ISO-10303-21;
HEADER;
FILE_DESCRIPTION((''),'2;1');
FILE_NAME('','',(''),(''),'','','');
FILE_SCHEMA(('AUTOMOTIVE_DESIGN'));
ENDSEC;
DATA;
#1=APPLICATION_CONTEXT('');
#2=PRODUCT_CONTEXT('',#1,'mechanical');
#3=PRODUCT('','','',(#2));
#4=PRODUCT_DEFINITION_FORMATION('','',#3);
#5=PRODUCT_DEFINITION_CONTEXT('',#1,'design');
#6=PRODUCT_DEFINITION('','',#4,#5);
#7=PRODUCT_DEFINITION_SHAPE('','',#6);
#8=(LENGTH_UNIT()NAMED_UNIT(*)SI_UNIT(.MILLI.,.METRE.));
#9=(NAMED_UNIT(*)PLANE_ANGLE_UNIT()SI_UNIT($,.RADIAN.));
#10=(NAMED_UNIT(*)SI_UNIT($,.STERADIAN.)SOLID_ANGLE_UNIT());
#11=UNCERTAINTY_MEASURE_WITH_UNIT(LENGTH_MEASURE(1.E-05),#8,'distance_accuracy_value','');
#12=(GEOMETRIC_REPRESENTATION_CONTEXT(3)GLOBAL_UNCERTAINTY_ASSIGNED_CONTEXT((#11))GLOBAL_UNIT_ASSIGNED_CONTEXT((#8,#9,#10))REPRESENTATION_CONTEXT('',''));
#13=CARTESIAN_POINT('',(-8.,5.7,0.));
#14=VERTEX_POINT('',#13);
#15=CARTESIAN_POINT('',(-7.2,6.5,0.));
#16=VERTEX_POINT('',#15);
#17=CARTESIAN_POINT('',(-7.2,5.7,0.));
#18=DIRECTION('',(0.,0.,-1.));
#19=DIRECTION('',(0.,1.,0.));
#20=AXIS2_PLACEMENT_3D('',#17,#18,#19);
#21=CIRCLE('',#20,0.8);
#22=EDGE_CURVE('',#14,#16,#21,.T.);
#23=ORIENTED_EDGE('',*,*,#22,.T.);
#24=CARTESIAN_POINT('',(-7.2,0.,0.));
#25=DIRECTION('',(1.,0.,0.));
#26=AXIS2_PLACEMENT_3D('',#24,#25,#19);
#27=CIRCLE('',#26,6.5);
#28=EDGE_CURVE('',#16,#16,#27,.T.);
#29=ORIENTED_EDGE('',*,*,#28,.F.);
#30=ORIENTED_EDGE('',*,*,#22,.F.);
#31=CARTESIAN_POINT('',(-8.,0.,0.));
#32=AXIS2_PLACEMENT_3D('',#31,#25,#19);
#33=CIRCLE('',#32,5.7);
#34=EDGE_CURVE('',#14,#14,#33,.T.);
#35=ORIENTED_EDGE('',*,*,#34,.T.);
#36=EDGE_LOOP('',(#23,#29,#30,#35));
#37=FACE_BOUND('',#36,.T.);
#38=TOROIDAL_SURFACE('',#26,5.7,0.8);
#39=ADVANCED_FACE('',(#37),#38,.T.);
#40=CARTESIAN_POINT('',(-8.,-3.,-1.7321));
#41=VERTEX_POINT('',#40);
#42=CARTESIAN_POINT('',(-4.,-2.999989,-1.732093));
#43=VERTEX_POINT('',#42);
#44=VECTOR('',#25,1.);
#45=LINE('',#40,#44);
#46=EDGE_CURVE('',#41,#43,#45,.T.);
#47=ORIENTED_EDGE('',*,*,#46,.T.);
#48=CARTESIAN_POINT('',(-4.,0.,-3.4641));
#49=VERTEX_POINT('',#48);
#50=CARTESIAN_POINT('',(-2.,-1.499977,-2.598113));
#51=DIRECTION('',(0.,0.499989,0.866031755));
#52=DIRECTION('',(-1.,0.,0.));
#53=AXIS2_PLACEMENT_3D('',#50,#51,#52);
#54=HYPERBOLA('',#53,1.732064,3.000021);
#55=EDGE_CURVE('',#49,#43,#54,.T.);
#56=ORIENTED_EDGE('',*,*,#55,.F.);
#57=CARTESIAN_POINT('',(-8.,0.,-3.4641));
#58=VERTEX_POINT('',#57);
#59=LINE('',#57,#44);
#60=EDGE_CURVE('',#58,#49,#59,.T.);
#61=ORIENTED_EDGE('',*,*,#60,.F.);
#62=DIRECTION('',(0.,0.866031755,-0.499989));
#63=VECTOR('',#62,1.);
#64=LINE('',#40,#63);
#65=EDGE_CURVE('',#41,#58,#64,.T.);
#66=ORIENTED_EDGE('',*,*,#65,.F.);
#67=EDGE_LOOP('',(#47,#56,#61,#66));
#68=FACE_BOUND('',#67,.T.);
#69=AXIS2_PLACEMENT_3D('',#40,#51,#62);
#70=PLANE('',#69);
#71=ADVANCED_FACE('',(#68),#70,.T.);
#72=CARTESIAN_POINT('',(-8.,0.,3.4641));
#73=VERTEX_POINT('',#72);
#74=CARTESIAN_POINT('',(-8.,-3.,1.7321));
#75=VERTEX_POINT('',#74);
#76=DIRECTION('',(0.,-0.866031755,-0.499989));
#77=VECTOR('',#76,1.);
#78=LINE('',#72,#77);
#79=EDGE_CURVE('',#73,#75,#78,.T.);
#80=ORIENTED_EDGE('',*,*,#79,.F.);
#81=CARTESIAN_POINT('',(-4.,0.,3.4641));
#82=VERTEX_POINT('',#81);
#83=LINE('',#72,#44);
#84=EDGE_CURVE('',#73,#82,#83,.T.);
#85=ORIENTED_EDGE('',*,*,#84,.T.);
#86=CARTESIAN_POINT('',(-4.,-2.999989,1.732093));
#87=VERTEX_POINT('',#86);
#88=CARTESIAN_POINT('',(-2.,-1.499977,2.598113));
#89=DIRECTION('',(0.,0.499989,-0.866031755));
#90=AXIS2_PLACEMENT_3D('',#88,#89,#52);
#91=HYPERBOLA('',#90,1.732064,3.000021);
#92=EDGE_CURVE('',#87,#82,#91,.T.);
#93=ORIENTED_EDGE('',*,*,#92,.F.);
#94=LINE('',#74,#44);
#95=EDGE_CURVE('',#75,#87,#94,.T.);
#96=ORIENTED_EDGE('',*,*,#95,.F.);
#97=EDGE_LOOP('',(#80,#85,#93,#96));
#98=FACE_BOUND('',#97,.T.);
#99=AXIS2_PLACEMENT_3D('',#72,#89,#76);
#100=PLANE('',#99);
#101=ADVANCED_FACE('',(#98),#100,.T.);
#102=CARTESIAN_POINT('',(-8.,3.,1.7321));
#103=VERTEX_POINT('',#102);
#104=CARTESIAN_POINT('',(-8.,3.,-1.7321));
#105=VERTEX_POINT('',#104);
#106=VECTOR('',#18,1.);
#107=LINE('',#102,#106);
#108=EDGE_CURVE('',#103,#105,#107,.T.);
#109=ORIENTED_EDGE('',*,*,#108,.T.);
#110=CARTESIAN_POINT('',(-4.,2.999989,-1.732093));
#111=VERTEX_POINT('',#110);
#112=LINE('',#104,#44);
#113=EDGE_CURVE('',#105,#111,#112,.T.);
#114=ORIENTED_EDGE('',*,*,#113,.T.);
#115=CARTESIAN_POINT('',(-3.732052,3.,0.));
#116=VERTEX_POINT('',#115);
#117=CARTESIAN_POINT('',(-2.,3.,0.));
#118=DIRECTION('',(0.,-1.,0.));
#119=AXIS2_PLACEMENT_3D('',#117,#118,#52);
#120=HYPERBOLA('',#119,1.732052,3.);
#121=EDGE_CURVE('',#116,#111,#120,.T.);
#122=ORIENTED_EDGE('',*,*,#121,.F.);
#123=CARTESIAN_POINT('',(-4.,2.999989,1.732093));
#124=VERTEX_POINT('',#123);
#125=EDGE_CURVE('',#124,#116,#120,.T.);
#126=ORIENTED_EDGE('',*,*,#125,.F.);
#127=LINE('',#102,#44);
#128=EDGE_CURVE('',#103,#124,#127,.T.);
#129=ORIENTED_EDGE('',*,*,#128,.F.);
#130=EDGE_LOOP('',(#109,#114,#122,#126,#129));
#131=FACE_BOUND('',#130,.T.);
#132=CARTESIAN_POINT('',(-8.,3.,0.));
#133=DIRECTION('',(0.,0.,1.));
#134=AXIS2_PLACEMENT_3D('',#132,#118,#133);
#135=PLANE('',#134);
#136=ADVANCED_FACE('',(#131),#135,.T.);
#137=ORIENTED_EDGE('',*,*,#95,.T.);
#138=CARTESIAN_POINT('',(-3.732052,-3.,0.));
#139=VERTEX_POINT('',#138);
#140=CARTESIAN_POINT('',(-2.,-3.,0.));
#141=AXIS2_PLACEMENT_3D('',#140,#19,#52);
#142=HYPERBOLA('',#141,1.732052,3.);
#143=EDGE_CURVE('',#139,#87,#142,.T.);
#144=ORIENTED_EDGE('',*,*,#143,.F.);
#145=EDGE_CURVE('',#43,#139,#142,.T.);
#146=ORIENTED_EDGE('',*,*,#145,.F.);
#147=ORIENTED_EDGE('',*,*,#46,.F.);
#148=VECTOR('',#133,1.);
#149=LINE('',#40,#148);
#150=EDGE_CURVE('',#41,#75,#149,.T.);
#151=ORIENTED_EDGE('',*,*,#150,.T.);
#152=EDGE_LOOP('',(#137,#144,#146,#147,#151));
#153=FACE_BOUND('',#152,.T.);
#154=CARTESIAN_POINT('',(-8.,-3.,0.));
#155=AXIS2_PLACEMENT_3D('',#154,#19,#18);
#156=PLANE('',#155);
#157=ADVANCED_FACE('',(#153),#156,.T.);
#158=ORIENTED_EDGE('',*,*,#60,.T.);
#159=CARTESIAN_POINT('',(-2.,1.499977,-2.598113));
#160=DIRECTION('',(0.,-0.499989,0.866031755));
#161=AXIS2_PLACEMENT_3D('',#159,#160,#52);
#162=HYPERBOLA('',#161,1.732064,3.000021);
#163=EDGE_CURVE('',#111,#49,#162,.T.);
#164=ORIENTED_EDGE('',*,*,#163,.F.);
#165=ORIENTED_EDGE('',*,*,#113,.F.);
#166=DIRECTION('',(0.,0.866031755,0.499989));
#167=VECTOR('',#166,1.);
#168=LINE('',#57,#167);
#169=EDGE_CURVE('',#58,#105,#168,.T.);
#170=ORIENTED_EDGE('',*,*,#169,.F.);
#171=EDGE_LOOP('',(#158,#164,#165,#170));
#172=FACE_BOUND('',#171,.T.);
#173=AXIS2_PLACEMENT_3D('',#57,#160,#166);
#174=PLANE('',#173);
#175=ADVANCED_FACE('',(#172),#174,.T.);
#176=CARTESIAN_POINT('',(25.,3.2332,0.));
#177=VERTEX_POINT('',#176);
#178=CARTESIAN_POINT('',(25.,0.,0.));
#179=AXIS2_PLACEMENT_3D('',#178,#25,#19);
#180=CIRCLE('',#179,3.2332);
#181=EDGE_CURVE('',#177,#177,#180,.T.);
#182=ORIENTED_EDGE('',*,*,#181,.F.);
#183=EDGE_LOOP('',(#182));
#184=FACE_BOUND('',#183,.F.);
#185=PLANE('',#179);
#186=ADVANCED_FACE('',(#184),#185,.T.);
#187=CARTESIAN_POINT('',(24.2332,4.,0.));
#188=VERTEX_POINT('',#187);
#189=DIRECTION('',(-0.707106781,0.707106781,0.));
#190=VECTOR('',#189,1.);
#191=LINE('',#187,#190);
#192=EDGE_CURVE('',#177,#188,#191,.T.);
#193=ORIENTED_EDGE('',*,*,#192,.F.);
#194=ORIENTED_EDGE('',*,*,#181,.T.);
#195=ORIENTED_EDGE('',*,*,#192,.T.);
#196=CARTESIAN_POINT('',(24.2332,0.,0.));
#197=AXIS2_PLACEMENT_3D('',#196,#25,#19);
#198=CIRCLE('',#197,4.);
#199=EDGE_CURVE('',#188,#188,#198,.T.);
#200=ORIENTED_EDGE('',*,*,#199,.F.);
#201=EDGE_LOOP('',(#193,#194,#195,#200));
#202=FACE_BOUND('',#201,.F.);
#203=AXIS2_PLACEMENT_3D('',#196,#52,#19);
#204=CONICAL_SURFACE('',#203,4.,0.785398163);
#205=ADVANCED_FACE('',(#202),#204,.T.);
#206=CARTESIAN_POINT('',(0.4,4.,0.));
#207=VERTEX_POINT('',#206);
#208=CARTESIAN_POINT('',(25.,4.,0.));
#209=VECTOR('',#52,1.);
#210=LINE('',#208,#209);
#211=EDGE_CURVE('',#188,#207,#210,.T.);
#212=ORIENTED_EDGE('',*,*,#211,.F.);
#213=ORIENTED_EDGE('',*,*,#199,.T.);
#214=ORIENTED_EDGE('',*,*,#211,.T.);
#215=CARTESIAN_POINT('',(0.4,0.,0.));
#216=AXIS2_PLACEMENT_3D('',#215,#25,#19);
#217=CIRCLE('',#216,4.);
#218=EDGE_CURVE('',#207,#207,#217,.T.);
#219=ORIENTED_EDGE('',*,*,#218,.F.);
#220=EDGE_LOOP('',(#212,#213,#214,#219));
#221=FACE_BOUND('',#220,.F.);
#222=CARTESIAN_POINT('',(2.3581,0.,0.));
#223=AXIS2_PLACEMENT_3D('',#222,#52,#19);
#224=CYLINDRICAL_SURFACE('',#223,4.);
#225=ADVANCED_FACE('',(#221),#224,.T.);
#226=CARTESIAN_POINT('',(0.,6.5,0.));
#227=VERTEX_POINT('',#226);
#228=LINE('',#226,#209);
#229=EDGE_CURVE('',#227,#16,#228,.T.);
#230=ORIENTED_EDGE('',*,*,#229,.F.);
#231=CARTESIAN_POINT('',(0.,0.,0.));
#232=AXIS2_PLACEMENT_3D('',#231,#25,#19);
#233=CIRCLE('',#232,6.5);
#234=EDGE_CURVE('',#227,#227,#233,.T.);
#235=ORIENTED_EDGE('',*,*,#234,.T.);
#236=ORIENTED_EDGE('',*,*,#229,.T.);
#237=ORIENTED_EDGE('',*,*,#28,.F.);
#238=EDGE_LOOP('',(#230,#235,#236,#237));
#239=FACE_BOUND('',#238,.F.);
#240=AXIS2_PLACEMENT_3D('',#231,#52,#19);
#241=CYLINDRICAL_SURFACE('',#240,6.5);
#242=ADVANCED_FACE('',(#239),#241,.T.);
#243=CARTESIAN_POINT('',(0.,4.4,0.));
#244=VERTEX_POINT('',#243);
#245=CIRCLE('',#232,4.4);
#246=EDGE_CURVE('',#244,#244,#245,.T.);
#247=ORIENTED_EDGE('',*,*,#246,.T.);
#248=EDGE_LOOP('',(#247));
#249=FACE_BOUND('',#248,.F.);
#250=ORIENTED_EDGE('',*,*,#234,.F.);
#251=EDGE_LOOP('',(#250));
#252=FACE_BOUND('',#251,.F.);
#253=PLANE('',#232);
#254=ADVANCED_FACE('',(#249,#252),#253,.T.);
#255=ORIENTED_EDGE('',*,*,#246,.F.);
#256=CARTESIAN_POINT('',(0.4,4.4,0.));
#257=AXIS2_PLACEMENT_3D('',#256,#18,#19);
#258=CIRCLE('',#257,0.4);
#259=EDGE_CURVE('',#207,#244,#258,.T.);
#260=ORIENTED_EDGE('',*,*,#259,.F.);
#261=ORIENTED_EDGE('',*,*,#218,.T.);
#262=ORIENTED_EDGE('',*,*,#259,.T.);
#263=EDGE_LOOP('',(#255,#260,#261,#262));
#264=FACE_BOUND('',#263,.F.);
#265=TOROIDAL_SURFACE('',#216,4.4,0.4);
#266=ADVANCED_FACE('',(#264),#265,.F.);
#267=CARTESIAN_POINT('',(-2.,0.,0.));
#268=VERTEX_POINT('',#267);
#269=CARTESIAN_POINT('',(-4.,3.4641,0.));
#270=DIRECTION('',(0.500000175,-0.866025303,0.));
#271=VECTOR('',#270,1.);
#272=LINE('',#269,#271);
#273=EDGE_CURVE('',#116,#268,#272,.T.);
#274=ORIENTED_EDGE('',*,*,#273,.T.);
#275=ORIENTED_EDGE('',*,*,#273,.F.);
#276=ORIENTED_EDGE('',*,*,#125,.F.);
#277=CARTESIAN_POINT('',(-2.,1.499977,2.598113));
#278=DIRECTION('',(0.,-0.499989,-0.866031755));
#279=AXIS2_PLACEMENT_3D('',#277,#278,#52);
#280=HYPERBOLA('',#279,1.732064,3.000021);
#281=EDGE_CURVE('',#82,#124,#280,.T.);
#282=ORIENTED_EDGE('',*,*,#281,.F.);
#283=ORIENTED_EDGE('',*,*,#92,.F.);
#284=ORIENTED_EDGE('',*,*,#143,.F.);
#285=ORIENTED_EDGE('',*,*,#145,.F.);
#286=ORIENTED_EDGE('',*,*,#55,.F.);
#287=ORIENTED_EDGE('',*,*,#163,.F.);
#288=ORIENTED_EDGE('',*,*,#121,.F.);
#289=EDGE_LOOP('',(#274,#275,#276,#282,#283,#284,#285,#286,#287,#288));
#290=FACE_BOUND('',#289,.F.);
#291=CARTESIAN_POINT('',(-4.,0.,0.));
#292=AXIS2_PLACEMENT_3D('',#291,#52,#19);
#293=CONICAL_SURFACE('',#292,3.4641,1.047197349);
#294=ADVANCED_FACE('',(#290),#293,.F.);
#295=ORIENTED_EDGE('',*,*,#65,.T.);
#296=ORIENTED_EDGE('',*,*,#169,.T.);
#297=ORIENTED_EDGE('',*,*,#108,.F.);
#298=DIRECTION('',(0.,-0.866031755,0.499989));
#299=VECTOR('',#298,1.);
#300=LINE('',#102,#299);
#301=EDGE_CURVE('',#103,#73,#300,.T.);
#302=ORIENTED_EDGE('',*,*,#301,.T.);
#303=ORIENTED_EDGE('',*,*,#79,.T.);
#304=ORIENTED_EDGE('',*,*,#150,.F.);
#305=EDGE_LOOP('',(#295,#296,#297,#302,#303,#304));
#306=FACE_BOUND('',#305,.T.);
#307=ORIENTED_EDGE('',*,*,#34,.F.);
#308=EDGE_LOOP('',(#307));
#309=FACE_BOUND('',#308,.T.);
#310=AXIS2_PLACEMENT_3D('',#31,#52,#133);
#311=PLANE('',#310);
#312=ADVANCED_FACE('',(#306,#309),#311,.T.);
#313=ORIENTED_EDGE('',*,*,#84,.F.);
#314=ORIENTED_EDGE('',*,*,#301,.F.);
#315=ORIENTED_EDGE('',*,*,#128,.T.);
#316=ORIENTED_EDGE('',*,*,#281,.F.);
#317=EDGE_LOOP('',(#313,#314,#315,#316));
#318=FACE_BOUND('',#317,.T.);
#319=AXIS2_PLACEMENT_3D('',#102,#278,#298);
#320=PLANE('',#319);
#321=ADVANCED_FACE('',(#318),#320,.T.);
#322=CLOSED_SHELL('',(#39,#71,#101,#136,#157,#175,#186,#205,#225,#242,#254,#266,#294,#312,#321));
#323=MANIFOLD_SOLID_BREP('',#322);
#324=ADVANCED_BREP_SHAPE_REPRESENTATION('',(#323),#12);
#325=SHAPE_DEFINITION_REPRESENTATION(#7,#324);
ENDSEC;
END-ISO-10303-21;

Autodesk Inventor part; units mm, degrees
ref_plane "YZ Plane" through (0, 0, 0) normal (1, 0, 0) x (0, 1, 0)
ref_plane "XZ Plane" through (0, 0, 0) normal (0, 1, 0) x (-1, 0, 0)
sketch "Sketch1" plane through (0, 0, 0) normal (0, 0, 1) x (1, 0, 0)
  line L0 (-2, 0) -> (25, 0)
  line L1 (25, 0) -> (25, 4)
  line L2 (25, 4) -> (3.125, 4)
  line L3 (3.125, 4) -> (2.3581, 4)
  line L4 (2.3581, 4) -> (0, 4)
  line L5 (0, 4) -> (0, 6.5)
  line L6 (0, 6.5) -> (-8, 6.5)
  line L7 (-8, 6.5) -> (-8, 3.4641)
  line L8 (-8, 3.4641) -> (-4, 3.4641)
  line L9 (-4, 3.4641) -> (-2, 0)
  line L10 (-14.6, 0) -> (31.6, 0) projected
  line L11 (0, -1.3) -> (0, 7.8) projected
  line L12 (3.125, 4) -> (0, 4) construction
  dimension "d1" = 21.875
  dimension "d2" = 0.7669
  dimension "d3" = 8
  dimension "d4" = 4
  dimension "d5" = 60
  dimension "d6" = 8
  dimension "d7" = 8
  dimension "d8" = 6.9282
  dimension "d9" = 13
  dimension "d26" = 25
revolve "Body" add sketch "Sketch1" angle 360 about axis through (-2, 0, 0) along (1, 0, 0)
sketch "Sketch2" plane through (-8, 0, 0) normal (-1, 0, 0) x (0, 0, 1)
  circle A0 centre (0, 0) radius 3.4641 projected
  line L0 (0, -9.1) -> (0, 9.1) projected
  line L1 (-9.1, 0) -> (9.1, 0) projected
  line L2 (3.4641, 0) -> (1.7321, -3)
  line L3 (1.7321, -3) -> (-1.7321, -3)
  line L4 (-1.7321, -3) -> (-3.4641, 0)
  line L5 (-3.4641, 0) -> (-1.7321, 3)
  line L6 (-1.7321, 3) -> (1.7321, 3)
  line L7 (1.7321, 3) -> (3.4641, 0)
extrude "Slot" add sketch "Sketch2" against normal up to next contours L7 A0 | A0 L2 | L6 L0 A0 | A0 L0 L3 | L0 L6 A0 | A0 L3 L0 | L4 A0 | A0 L5
fillet "Fillet1" radius 0.8 1 edges at (-8, -6.5, 0)
thread "Thread" size "M8x1.25" class "6g" standard "ISO Metric profile" length 21.875
chamfer "Chamfer1" distance 0.7668 distance2 0.7668 1 edges at (25, -4, 0) measured on face at (25, -0.6859, 0.8072)
ref_plane "Work Plane1" through (29, 0, 0) normal (0, -1, 0) x (1, 0, 0)
fillet "Fillet2" radius 0.4 1 edges at (0, -4, 0)
equation "\"d1\" = GEL"
equation "\"d3\" = KOH"
equation "\"d4\" = INTI"
equation "\"d6\" = GD"
equation "\"d7\" = BDM"
equation "\"d8\" = 1.1547 * SW"
equation "\"d9\" = KOD"
equation "\"d26\" = NLG"
equation "\"d30\" = R"
equation "\"d17\" = RR"
equation "\"d13\" = GEL"
equation "\"d15\" = -0.5 * SPD + 0.5 * GD"
equation "\"d16\" = GUL"
equation "\"GD\" = NND"
equation "\"NLG\" = 25"
equation "\"GEL\" = 21.875"
equation "\"KOD\" = 13"
equation "\"KOH\" = 8"
equation "\"INTI\" = 4"
equation "\"GAL\" = 0.61345 * PTC"
equation "\"GUL\" = 0.61345 * PTC"
equation "\"BDM\" = NND"
equation "\"SW\" = 6"
equation "\"RR\" = 0.8"
equation "\"SPD\" = NND - 1.2269 * PTC"
equation "\"R\" = 0.4"
equation "\"TOA\" = 30deg"
equation "\"GD1\" = THREADDIA - 1.2269 * PTC"
equation "\"THREADDIA\" = 8"
equation "\"FAWI\" = 45deg"
equation "\"ANG\" = 120deg"
equation "\"PTC\" = 1.25"
equation "\"NND\" = 8"
equation "\"E0\" = 1.155 * SW"
properties part number "Allen Key 8x25mm" material "Steel, Mild"
